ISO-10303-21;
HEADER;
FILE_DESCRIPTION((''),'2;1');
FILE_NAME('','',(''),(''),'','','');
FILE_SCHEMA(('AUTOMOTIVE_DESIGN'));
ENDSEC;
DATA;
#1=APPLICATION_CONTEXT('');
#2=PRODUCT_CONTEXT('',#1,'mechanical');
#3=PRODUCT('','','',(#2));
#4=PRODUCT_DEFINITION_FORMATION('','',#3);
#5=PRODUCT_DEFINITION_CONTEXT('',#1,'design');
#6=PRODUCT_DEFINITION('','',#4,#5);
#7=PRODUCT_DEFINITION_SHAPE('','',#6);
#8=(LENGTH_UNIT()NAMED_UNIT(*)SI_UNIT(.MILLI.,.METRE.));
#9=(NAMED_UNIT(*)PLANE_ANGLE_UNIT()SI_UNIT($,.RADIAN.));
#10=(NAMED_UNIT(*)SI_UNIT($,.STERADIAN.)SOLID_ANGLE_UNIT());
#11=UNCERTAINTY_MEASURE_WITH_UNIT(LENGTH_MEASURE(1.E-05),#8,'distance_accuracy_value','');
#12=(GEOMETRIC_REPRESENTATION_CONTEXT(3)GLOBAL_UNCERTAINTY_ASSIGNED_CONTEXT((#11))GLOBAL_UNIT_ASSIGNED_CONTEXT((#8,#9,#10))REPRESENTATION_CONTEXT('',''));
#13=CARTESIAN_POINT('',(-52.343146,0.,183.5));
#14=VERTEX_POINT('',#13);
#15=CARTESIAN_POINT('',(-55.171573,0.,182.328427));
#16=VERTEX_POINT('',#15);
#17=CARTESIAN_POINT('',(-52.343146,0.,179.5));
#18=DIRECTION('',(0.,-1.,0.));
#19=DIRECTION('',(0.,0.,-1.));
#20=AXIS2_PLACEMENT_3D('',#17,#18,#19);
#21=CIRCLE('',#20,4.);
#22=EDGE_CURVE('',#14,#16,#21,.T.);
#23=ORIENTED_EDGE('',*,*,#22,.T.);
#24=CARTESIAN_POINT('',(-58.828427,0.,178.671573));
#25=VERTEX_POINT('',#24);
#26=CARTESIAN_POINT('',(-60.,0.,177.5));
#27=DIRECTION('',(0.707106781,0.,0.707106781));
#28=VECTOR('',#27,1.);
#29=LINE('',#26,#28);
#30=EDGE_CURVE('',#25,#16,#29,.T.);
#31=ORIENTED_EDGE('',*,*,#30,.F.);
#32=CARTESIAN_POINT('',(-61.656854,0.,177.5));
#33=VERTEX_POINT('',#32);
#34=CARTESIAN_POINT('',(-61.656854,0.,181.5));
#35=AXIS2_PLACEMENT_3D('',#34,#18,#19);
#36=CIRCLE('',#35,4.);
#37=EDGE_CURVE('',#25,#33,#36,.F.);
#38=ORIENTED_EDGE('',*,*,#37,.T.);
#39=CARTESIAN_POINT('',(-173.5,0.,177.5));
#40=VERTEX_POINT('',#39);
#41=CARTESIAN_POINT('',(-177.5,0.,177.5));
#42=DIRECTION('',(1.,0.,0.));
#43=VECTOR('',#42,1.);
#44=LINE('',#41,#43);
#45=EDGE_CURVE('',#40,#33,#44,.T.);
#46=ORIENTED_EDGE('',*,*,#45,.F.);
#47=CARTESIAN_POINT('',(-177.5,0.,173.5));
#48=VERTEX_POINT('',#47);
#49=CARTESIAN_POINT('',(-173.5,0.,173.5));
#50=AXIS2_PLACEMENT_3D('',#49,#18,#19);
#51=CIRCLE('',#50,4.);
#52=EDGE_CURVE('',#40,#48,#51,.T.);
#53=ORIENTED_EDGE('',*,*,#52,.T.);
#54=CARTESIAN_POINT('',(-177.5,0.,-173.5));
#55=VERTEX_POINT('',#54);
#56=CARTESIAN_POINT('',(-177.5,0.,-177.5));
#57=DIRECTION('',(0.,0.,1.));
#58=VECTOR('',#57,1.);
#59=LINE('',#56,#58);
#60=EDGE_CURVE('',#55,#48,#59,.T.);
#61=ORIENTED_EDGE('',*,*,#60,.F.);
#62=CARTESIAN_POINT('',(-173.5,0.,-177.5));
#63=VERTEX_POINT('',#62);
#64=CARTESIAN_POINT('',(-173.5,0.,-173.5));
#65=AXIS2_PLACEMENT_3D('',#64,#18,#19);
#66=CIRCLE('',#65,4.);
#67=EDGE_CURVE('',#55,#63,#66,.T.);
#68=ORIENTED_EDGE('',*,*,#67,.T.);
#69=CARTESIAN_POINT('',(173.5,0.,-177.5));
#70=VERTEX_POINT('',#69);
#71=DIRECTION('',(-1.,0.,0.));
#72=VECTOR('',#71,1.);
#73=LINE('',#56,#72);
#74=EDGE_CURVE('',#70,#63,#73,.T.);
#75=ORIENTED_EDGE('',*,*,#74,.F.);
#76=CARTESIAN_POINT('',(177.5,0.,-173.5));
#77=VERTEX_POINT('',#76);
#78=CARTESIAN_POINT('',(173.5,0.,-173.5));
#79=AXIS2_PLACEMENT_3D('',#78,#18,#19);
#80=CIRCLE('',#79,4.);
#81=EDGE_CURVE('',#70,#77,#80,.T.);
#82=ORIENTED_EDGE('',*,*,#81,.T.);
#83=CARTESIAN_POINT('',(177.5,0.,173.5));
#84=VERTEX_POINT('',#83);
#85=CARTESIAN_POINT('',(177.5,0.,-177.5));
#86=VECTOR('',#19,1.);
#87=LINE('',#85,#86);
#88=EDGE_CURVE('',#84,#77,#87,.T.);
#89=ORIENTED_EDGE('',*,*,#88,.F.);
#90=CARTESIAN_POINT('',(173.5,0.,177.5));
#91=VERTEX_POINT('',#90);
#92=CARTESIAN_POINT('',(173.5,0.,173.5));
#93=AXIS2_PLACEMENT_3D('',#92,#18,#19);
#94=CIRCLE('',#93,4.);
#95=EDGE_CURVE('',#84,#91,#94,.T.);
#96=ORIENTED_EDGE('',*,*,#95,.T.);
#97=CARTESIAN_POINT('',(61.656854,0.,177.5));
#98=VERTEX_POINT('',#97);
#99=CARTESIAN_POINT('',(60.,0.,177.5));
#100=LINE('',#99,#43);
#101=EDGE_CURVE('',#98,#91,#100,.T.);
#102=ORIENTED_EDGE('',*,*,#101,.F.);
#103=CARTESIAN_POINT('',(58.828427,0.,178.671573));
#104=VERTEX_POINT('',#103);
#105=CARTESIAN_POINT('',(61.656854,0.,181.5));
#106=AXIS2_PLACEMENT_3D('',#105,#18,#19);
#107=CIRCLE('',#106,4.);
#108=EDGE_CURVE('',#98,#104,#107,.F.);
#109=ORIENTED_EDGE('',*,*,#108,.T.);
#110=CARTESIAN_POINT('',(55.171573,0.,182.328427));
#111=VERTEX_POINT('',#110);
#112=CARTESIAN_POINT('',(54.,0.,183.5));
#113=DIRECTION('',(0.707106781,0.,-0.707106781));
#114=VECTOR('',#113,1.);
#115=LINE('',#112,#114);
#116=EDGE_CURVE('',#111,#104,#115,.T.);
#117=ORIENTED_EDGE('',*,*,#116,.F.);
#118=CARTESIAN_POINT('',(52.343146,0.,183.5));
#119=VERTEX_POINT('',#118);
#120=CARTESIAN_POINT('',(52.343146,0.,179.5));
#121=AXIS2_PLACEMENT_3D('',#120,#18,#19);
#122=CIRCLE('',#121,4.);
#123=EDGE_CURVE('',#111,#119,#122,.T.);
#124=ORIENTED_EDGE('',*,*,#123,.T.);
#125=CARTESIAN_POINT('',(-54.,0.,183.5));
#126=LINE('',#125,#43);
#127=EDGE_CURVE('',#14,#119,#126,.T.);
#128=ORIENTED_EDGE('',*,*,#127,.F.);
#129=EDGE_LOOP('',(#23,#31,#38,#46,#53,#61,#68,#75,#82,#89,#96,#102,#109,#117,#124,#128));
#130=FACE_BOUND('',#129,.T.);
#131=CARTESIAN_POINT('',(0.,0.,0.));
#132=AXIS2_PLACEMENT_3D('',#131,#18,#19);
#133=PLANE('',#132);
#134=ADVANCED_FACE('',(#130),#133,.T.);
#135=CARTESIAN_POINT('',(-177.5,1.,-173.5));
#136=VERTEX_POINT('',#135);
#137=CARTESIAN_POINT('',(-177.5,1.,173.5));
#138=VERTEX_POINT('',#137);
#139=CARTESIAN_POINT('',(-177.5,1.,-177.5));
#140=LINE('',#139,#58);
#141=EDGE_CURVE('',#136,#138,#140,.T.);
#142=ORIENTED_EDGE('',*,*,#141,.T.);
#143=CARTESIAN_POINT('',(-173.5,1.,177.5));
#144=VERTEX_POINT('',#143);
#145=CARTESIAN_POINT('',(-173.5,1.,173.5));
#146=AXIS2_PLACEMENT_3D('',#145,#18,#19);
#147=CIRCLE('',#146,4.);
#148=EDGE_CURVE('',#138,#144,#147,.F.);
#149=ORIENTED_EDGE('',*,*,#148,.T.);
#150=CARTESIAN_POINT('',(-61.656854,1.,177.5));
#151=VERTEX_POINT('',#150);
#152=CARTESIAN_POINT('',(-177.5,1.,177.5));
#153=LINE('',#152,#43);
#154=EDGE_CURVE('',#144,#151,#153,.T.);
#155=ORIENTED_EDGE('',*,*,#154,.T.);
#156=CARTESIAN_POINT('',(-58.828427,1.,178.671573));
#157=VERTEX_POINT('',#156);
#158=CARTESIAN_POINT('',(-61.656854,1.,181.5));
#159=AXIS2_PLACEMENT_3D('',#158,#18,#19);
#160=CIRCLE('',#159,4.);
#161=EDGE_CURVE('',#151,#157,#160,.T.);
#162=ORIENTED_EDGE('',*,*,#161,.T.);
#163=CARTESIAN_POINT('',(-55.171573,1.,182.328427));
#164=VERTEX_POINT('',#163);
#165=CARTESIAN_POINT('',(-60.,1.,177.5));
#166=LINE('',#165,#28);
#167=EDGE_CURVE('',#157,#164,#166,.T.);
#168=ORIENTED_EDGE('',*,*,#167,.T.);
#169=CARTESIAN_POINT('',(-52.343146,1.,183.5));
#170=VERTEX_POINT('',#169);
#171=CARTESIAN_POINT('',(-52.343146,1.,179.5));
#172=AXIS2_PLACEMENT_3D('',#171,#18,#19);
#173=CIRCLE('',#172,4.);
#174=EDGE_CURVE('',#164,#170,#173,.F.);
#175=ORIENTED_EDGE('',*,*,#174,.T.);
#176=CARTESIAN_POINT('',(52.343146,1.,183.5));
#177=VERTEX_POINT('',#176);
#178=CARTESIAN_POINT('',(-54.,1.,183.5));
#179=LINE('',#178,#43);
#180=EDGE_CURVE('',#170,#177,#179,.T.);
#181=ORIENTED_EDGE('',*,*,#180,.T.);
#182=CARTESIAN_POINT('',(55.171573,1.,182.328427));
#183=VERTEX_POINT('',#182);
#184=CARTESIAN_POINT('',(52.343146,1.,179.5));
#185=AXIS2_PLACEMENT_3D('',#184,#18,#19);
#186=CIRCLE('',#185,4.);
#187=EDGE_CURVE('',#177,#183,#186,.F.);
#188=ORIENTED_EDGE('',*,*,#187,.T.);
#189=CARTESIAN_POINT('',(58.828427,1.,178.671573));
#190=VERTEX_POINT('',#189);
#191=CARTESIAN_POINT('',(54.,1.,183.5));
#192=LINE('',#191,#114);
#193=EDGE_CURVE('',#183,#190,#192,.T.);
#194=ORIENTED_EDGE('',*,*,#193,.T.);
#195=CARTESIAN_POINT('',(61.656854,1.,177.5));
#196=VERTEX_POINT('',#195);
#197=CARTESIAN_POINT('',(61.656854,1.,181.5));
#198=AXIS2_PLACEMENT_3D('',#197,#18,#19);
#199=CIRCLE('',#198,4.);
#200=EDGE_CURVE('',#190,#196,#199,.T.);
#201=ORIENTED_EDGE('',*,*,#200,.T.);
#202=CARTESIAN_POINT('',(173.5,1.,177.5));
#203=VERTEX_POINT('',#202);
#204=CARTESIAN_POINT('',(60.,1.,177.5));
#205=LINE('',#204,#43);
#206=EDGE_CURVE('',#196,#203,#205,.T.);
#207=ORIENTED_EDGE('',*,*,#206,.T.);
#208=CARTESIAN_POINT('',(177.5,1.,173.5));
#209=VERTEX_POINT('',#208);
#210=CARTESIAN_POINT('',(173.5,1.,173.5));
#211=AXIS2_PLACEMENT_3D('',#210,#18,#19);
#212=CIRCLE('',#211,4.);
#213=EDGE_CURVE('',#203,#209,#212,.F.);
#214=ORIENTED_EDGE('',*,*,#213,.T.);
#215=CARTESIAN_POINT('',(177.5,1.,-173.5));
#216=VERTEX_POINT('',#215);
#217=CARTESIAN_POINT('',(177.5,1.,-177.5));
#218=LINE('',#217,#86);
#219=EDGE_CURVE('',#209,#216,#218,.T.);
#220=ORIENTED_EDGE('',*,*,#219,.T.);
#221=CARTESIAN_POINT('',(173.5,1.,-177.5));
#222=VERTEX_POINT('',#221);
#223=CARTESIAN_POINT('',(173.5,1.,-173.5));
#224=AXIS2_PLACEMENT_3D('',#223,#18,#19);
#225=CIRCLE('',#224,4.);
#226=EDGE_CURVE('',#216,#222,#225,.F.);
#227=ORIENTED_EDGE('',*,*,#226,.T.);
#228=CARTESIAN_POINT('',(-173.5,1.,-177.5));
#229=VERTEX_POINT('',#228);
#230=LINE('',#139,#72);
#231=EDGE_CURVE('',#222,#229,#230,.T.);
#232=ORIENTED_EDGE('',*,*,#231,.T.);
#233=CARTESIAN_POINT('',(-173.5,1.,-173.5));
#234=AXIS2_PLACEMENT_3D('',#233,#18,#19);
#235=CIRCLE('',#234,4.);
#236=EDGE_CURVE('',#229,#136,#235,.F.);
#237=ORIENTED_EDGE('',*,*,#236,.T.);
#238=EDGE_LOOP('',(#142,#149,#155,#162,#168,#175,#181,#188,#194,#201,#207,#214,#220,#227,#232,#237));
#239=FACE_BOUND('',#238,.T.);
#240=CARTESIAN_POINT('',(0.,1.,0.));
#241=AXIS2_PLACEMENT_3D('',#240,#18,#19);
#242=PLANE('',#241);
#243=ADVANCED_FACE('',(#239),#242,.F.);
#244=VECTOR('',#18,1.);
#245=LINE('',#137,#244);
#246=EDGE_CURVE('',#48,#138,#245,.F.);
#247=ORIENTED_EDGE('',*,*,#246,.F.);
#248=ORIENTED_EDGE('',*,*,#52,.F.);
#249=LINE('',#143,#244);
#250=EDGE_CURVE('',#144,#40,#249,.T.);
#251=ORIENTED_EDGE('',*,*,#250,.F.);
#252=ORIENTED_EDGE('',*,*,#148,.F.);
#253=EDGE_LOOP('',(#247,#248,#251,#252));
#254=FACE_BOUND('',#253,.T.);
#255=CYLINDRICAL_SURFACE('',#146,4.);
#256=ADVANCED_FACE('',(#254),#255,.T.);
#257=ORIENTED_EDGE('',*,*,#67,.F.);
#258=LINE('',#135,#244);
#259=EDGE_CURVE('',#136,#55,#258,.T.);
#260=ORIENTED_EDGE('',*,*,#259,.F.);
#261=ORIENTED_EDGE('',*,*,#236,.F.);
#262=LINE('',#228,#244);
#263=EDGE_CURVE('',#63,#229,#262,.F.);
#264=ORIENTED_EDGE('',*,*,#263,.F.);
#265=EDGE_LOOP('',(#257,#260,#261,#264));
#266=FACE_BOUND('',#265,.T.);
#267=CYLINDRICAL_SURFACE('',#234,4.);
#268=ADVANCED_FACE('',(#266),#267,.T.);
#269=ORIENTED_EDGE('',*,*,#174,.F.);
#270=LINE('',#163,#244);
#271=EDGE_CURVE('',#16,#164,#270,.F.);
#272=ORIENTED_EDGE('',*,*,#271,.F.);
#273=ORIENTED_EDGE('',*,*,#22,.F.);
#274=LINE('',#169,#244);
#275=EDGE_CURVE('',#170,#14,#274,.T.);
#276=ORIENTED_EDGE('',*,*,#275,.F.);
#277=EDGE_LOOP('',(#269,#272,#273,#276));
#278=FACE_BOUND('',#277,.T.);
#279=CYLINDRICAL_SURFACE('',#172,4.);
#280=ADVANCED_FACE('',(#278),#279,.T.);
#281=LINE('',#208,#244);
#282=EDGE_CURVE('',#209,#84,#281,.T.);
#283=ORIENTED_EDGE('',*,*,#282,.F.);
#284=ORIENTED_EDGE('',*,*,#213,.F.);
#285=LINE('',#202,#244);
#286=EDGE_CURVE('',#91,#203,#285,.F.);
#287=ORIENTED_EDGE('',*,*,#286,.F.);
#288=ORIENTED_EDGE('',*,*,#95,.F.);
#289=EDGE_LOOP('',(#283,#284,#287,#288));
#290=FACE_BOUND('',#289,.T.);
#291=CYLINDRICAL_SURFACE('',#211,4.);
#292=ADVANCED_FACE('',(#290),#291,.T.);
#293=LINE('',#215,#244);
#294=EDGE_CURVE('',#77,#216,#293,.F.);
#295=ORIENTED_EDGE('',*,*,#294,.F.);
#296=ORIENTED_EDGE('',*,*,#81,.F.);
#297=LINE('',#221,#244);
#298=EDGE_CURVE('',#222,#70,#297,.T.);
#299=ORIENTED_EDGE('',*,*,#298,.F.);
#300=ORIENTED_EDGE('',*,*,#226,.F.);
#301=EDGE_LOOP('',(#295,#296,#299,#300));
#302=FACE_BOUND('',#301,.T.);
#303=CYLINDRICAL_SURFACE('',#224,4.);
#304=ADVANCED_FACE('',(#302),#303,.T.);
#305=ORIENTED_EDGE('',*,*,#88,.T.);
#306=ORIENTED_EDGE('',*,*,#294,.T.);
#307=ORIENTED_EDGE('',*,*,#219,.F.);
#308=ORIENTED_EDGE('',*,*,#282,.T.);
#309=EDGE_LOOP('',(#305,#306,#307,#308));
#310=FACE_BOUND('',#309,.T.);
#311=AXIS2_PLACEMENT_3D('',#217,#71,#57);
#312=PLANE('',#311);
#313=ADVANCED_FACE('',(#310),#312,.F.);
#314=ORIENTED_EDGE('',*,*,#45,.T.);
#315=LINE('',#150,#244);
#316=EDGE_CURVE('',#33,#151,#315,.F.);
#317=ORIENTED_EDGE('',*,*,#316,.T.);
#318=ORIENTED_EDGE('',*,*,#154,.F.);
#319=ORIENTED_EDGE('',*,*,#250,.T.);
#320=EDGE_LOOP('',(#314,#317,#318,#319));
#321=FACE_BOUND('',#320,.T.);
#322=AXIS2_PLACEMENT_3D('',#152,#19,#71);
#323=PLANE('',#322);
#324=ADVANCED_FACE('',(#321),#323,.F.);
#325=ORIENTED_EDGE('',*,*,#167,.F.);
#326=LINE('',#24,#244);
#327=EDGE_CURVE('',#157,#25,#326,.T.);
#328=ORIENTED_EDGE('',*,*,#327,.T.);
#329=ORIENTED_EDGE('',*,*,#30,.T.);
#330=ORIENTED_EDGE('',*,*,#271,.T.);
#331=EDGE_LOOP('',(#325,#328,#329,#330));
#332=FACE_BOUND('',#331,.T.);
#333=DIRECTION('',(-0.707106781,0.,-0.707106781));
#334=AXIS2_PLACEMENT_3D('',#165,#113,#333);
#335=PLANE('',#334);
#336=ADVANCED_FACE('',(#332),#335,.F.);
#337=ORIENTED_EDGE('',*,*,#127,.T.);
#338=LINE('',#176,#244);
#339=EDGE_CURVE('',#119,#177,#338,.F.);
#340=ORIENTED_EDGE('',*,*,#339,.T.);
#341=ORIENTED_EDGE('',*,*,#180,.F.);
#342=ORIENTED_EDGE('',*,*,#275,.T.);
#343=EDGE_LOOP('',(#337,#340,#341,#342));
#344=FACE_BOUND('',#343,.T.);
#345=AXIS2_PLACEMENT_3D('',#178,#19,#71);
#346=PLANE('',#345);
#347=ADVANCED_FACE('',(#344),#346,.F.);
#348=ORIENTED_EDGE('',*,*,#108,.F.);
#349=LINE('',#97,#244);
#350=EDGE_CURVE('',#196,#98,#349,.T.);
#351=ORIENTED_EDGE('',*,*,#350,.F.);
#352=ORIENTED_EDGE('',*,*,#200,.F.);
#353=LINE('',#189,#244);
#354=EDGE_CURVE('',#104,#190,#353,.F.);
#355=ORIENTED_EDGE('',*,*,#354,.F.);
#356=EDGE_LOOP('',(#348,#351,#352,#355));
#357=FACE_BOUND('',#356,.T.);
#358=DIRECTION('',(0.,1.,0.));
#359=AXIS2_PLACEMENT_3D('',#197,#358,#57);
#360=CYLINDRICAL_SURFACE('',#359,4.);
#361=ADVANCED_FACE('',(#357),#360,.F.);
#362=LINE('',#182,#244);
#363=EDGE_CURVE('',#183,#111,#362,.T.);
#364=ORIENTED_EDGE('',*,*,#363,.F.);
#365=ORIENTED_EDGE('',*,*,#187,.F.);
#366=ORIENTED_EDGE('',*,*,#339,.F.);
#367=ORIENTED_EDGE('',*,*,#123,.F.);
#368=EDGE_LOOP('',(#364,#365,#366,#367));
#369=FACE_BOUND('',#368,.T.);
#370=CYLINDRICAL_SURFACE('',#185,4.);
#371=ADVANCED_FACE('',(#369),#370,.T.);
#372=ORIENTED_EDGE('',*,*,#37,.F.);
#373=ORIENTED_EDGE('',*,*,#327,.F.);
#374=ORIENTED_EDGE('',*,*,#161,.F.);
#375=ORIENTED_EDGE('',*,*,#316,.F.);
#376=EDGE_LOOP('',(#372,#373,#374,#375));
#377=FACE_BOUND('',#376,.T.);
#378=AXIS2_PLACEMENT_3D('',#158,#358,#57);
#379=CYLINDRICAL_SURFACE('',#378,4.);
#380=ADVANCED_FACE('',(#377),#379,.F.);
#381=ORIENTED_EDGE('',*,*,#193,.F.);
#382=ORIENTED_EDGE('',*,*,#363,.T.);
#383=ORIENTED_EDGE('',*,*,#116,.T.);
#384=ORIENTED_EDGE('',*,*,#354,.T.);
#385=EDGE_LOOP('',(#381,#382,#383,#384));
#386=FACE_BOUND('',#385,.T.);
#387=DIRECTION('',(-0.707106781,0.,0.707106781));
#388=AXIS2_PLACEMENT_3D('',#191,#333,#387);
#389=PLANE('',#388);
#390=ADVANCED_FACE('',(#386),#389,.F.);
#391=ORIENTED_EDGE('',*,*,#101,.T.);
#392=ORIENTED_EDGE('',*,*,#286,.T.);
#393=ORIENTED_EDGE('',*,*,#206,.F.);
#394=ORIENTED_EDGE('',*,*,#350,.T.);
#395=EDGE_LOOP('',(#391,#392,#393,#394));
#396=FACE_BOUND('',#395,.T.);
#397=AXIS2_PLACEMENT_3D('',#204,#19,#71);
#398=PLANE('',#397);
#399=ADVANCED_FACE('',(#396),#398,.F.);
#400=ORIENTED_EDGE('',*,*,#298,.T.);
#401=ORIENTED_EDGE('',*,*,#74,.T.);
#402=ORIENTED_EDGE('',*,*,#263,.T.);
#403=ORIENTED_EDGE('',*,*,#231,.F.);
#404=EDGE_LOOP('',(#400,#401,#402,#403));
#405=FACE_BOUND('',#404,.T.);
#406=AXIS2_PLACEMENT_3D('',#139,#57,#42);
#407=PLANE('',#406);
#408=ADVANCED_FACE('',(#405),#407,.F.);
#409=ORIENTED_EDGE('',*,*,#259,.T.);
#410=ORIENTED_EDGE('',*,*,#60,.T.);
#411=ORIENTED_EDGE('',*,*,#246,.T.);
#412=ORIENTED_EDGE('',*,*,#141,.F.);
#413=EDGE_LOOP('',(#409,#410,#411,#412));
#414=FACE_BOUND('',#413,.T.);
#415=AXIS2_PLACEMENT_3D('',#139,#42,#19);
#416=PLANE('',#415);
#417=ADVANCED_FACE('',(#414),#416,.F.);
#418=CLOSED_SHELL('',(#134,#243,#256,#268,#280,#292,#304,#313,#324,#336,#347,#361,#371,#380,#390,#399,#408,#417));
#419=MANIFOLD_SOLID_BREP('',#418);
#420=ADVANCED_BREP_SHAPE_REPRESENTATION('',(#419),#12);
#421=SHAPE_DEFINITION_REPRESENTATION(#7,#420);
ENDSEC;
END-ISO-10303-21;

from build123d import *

# Parameters (mm, degrees)
BOSS_EXTRUDE1_DEPTH = 1
FILLET1_R           = 4


with BuildPart() as part:
    # Sketch1 → Boss-Extrude1 (new body)
    with BuildSketch(Plane(origin=(0, 0, 0), x_dir=(1, 0, 0), z_dir=(0, 1, 0))):
        Polygon((-60, -177.5), (-54, -183.5), (54, -183.5), (60, -177.5), (177.5, -177.5), (177.5, 177.5), (-177.5, 177.5), (-177.5, -177.5), align=None)
    extrude(amount=BOSS_EXTRUDE1_DEPTH)

    # Fillet1
    fillet1_edges = [part.edges().sort_by_distance(p)[0] for p in [
        (60, 0.5, 177.5),
        (54, 0.5, 183.5),
        (-54, 0.5, 183.5),
        (-60, 0.5, 177.5),
        (-177.5, 0.5, 177.5),
        (-177.5, 0.5, -177.5),
        (177.5, 0.5, -177.5),
        (177.5, 0.5, 177.5),
    ]]
    fillet(fillet1_edges, radius=FILLET1_R)


solid = part.part
